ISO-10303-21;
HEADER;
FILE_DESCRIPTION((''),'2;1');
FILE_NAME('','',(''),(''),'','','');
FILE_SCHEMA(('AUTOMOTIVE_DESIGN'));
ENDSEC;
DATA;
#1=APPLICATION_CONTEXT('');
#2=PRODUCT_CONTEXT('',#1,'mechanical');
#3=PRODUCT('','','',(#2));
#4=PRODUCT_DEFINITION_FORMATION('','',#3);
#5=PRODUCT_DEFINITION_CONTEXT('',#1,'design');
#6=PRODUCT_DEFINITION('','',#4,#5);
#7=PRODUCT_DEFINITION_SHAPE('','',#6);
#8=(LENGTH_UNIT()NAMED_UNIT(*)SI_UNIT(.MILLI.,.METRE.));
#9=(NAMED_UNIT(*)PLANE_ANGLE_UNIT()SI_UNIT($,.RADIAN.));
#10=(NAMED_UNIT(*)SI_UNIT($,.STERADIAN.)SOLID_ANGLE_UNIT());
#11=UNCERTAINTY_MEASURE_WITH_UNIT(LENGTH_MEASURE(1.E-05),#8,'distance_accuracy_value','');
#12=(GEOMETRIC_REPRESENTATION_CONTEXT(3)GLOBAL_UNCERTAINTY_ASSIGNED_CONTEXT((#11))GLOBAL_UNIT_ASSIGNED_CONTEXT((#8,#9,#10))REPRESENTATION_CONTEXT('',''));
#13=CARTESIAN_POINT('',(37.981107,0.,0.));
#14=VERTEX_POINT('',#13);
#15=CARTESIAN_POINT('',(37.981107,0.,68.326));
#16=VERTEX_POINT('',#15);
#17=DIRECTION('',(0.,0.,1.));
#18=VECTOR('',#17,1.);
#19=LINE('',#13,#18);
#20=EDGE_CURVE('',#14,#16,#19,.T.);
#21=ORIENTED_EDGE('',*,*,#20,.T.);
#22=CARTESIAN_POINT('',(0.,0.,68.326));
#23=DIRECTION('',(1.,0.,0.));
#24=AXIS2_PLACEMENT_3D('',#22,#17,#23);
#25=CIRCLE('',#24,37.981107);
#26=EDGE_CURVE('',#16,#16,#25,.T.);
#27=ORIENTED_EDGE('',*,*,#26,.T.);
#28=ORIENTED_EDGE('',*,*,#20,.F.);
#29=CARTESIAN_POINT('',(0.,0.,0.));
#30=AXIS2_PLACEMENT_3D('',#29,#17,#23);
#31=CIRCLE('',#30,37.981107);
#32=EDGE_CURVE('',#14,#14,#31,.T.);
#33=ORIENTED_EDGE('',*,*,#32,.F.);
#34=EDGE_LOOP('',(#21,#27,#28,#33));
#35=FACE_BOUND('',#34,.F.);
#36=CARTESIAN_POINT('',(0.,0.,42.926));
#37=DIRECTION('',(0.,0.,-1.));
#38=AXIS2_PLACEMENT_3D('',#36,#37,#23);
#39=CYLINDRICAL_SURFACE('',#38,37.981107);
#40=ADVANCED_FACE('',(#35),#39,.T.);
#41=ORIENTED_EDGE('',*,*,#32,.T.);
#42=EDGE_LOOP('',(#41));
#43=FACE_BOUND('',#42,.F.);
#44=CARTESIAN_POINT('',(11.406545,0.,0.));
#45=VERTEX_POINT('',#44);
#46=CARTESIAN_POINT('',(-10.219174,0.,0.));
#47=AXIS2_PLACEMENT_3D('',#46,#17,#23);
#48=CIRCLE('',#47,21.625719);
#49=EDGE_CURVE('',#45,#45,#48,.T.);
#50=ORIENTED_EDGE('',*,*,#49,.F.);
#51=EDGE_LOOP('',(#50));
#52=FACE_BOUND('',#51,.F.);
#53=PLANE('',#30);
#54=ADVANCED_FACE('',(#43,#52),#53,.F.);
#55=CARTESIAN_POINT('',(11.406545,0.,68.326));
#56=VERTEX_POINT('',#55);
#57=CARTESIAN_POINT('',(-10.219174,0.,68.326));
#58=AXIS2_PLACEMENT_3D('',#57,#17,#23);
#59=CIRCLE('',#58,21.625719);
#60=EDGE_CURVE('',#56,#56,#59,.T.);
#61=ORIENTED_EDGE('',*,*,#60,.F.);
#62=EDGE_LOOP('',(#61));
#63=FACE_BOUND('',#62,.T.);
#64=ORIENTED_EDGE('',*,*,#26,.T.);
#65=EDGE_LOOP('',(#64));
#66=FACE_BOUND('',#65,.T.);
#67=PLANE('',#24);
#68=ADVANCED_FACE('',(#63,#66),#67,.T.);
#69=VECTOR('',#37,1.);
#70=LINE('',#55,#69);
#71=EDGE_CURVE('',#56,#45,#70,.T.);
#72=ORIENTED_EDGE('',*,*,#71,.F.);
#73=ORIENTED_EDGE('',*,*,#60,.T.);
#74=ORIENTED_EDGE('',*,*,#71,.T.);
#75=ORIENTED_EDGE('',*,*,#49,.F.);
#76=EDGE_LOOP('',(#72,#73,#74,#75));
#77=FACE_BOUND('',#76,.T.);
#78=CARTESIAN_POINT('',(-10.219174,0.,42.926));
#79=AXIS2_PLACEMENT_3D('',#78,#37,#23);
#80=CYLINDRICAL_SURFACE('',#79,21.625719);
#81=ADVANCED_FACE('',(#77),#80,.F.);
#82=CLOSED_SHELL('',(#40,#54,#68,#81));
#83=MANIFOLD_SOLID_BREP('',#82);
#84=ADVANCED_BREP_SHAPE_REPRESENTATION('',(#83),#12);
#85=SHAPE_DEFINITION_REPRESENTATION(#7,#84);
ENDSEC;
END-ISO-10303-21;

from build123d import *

# Parameters (mm, degrees)
F0_R        = 37.981107
F0_R_2      = 21.625719
F1_DEPTH    = 42.926
F1_FACE_R   = 37.981107
F1_FACE_R_2 = 21.625719
F2_DEPTH    = 14.224
F3_DEPTH    = 25.4


with BuildPart() as f1:
    # F0 (on Top) → F1 (new body)
    with BuildSketch(Plane.XY):
        Circle(F0_R)
        with Locations((-10.219174, 0)):
            Circle(F0_R_2, mode=Mode.SUBTRACT)
    extrude(amount=F1_DEPTH)

    # F1_face (on face) → F2 (cut)
    with BuildSketch(Plane(origin=(4.902302, 0, 42.926), x_dir=(1, 0, 0), z_dir=(0, 0, 1))):
        with Locations((-4.902302, 0)):
            Circle(F1_FACE_R)
        with Locations((-15.121476, 0)):
            Circle(F1_FACE_R_2, mode=Mode.SUBTRACT)
    extrude(amount=F2_DEPTH, mode=Mode.SUBTRACT)

    # F1_face (on face) → F3 (join)
    with BuildSketch(Plane(origin=(4.902302, 0, 42.926), x_dir=(1, 0, 0), z_dir=(0, 0, 1))):
        with Locations((-4.902302, 0)):
            Circle(F1_FACE_R)
        with Locations((-15.121476, 0)):
            Circle(F1_FACE_R_2, mode=Mode.SUBTRACT)
    extrude(amount=F3_DEPTH)


solid = f1.part
